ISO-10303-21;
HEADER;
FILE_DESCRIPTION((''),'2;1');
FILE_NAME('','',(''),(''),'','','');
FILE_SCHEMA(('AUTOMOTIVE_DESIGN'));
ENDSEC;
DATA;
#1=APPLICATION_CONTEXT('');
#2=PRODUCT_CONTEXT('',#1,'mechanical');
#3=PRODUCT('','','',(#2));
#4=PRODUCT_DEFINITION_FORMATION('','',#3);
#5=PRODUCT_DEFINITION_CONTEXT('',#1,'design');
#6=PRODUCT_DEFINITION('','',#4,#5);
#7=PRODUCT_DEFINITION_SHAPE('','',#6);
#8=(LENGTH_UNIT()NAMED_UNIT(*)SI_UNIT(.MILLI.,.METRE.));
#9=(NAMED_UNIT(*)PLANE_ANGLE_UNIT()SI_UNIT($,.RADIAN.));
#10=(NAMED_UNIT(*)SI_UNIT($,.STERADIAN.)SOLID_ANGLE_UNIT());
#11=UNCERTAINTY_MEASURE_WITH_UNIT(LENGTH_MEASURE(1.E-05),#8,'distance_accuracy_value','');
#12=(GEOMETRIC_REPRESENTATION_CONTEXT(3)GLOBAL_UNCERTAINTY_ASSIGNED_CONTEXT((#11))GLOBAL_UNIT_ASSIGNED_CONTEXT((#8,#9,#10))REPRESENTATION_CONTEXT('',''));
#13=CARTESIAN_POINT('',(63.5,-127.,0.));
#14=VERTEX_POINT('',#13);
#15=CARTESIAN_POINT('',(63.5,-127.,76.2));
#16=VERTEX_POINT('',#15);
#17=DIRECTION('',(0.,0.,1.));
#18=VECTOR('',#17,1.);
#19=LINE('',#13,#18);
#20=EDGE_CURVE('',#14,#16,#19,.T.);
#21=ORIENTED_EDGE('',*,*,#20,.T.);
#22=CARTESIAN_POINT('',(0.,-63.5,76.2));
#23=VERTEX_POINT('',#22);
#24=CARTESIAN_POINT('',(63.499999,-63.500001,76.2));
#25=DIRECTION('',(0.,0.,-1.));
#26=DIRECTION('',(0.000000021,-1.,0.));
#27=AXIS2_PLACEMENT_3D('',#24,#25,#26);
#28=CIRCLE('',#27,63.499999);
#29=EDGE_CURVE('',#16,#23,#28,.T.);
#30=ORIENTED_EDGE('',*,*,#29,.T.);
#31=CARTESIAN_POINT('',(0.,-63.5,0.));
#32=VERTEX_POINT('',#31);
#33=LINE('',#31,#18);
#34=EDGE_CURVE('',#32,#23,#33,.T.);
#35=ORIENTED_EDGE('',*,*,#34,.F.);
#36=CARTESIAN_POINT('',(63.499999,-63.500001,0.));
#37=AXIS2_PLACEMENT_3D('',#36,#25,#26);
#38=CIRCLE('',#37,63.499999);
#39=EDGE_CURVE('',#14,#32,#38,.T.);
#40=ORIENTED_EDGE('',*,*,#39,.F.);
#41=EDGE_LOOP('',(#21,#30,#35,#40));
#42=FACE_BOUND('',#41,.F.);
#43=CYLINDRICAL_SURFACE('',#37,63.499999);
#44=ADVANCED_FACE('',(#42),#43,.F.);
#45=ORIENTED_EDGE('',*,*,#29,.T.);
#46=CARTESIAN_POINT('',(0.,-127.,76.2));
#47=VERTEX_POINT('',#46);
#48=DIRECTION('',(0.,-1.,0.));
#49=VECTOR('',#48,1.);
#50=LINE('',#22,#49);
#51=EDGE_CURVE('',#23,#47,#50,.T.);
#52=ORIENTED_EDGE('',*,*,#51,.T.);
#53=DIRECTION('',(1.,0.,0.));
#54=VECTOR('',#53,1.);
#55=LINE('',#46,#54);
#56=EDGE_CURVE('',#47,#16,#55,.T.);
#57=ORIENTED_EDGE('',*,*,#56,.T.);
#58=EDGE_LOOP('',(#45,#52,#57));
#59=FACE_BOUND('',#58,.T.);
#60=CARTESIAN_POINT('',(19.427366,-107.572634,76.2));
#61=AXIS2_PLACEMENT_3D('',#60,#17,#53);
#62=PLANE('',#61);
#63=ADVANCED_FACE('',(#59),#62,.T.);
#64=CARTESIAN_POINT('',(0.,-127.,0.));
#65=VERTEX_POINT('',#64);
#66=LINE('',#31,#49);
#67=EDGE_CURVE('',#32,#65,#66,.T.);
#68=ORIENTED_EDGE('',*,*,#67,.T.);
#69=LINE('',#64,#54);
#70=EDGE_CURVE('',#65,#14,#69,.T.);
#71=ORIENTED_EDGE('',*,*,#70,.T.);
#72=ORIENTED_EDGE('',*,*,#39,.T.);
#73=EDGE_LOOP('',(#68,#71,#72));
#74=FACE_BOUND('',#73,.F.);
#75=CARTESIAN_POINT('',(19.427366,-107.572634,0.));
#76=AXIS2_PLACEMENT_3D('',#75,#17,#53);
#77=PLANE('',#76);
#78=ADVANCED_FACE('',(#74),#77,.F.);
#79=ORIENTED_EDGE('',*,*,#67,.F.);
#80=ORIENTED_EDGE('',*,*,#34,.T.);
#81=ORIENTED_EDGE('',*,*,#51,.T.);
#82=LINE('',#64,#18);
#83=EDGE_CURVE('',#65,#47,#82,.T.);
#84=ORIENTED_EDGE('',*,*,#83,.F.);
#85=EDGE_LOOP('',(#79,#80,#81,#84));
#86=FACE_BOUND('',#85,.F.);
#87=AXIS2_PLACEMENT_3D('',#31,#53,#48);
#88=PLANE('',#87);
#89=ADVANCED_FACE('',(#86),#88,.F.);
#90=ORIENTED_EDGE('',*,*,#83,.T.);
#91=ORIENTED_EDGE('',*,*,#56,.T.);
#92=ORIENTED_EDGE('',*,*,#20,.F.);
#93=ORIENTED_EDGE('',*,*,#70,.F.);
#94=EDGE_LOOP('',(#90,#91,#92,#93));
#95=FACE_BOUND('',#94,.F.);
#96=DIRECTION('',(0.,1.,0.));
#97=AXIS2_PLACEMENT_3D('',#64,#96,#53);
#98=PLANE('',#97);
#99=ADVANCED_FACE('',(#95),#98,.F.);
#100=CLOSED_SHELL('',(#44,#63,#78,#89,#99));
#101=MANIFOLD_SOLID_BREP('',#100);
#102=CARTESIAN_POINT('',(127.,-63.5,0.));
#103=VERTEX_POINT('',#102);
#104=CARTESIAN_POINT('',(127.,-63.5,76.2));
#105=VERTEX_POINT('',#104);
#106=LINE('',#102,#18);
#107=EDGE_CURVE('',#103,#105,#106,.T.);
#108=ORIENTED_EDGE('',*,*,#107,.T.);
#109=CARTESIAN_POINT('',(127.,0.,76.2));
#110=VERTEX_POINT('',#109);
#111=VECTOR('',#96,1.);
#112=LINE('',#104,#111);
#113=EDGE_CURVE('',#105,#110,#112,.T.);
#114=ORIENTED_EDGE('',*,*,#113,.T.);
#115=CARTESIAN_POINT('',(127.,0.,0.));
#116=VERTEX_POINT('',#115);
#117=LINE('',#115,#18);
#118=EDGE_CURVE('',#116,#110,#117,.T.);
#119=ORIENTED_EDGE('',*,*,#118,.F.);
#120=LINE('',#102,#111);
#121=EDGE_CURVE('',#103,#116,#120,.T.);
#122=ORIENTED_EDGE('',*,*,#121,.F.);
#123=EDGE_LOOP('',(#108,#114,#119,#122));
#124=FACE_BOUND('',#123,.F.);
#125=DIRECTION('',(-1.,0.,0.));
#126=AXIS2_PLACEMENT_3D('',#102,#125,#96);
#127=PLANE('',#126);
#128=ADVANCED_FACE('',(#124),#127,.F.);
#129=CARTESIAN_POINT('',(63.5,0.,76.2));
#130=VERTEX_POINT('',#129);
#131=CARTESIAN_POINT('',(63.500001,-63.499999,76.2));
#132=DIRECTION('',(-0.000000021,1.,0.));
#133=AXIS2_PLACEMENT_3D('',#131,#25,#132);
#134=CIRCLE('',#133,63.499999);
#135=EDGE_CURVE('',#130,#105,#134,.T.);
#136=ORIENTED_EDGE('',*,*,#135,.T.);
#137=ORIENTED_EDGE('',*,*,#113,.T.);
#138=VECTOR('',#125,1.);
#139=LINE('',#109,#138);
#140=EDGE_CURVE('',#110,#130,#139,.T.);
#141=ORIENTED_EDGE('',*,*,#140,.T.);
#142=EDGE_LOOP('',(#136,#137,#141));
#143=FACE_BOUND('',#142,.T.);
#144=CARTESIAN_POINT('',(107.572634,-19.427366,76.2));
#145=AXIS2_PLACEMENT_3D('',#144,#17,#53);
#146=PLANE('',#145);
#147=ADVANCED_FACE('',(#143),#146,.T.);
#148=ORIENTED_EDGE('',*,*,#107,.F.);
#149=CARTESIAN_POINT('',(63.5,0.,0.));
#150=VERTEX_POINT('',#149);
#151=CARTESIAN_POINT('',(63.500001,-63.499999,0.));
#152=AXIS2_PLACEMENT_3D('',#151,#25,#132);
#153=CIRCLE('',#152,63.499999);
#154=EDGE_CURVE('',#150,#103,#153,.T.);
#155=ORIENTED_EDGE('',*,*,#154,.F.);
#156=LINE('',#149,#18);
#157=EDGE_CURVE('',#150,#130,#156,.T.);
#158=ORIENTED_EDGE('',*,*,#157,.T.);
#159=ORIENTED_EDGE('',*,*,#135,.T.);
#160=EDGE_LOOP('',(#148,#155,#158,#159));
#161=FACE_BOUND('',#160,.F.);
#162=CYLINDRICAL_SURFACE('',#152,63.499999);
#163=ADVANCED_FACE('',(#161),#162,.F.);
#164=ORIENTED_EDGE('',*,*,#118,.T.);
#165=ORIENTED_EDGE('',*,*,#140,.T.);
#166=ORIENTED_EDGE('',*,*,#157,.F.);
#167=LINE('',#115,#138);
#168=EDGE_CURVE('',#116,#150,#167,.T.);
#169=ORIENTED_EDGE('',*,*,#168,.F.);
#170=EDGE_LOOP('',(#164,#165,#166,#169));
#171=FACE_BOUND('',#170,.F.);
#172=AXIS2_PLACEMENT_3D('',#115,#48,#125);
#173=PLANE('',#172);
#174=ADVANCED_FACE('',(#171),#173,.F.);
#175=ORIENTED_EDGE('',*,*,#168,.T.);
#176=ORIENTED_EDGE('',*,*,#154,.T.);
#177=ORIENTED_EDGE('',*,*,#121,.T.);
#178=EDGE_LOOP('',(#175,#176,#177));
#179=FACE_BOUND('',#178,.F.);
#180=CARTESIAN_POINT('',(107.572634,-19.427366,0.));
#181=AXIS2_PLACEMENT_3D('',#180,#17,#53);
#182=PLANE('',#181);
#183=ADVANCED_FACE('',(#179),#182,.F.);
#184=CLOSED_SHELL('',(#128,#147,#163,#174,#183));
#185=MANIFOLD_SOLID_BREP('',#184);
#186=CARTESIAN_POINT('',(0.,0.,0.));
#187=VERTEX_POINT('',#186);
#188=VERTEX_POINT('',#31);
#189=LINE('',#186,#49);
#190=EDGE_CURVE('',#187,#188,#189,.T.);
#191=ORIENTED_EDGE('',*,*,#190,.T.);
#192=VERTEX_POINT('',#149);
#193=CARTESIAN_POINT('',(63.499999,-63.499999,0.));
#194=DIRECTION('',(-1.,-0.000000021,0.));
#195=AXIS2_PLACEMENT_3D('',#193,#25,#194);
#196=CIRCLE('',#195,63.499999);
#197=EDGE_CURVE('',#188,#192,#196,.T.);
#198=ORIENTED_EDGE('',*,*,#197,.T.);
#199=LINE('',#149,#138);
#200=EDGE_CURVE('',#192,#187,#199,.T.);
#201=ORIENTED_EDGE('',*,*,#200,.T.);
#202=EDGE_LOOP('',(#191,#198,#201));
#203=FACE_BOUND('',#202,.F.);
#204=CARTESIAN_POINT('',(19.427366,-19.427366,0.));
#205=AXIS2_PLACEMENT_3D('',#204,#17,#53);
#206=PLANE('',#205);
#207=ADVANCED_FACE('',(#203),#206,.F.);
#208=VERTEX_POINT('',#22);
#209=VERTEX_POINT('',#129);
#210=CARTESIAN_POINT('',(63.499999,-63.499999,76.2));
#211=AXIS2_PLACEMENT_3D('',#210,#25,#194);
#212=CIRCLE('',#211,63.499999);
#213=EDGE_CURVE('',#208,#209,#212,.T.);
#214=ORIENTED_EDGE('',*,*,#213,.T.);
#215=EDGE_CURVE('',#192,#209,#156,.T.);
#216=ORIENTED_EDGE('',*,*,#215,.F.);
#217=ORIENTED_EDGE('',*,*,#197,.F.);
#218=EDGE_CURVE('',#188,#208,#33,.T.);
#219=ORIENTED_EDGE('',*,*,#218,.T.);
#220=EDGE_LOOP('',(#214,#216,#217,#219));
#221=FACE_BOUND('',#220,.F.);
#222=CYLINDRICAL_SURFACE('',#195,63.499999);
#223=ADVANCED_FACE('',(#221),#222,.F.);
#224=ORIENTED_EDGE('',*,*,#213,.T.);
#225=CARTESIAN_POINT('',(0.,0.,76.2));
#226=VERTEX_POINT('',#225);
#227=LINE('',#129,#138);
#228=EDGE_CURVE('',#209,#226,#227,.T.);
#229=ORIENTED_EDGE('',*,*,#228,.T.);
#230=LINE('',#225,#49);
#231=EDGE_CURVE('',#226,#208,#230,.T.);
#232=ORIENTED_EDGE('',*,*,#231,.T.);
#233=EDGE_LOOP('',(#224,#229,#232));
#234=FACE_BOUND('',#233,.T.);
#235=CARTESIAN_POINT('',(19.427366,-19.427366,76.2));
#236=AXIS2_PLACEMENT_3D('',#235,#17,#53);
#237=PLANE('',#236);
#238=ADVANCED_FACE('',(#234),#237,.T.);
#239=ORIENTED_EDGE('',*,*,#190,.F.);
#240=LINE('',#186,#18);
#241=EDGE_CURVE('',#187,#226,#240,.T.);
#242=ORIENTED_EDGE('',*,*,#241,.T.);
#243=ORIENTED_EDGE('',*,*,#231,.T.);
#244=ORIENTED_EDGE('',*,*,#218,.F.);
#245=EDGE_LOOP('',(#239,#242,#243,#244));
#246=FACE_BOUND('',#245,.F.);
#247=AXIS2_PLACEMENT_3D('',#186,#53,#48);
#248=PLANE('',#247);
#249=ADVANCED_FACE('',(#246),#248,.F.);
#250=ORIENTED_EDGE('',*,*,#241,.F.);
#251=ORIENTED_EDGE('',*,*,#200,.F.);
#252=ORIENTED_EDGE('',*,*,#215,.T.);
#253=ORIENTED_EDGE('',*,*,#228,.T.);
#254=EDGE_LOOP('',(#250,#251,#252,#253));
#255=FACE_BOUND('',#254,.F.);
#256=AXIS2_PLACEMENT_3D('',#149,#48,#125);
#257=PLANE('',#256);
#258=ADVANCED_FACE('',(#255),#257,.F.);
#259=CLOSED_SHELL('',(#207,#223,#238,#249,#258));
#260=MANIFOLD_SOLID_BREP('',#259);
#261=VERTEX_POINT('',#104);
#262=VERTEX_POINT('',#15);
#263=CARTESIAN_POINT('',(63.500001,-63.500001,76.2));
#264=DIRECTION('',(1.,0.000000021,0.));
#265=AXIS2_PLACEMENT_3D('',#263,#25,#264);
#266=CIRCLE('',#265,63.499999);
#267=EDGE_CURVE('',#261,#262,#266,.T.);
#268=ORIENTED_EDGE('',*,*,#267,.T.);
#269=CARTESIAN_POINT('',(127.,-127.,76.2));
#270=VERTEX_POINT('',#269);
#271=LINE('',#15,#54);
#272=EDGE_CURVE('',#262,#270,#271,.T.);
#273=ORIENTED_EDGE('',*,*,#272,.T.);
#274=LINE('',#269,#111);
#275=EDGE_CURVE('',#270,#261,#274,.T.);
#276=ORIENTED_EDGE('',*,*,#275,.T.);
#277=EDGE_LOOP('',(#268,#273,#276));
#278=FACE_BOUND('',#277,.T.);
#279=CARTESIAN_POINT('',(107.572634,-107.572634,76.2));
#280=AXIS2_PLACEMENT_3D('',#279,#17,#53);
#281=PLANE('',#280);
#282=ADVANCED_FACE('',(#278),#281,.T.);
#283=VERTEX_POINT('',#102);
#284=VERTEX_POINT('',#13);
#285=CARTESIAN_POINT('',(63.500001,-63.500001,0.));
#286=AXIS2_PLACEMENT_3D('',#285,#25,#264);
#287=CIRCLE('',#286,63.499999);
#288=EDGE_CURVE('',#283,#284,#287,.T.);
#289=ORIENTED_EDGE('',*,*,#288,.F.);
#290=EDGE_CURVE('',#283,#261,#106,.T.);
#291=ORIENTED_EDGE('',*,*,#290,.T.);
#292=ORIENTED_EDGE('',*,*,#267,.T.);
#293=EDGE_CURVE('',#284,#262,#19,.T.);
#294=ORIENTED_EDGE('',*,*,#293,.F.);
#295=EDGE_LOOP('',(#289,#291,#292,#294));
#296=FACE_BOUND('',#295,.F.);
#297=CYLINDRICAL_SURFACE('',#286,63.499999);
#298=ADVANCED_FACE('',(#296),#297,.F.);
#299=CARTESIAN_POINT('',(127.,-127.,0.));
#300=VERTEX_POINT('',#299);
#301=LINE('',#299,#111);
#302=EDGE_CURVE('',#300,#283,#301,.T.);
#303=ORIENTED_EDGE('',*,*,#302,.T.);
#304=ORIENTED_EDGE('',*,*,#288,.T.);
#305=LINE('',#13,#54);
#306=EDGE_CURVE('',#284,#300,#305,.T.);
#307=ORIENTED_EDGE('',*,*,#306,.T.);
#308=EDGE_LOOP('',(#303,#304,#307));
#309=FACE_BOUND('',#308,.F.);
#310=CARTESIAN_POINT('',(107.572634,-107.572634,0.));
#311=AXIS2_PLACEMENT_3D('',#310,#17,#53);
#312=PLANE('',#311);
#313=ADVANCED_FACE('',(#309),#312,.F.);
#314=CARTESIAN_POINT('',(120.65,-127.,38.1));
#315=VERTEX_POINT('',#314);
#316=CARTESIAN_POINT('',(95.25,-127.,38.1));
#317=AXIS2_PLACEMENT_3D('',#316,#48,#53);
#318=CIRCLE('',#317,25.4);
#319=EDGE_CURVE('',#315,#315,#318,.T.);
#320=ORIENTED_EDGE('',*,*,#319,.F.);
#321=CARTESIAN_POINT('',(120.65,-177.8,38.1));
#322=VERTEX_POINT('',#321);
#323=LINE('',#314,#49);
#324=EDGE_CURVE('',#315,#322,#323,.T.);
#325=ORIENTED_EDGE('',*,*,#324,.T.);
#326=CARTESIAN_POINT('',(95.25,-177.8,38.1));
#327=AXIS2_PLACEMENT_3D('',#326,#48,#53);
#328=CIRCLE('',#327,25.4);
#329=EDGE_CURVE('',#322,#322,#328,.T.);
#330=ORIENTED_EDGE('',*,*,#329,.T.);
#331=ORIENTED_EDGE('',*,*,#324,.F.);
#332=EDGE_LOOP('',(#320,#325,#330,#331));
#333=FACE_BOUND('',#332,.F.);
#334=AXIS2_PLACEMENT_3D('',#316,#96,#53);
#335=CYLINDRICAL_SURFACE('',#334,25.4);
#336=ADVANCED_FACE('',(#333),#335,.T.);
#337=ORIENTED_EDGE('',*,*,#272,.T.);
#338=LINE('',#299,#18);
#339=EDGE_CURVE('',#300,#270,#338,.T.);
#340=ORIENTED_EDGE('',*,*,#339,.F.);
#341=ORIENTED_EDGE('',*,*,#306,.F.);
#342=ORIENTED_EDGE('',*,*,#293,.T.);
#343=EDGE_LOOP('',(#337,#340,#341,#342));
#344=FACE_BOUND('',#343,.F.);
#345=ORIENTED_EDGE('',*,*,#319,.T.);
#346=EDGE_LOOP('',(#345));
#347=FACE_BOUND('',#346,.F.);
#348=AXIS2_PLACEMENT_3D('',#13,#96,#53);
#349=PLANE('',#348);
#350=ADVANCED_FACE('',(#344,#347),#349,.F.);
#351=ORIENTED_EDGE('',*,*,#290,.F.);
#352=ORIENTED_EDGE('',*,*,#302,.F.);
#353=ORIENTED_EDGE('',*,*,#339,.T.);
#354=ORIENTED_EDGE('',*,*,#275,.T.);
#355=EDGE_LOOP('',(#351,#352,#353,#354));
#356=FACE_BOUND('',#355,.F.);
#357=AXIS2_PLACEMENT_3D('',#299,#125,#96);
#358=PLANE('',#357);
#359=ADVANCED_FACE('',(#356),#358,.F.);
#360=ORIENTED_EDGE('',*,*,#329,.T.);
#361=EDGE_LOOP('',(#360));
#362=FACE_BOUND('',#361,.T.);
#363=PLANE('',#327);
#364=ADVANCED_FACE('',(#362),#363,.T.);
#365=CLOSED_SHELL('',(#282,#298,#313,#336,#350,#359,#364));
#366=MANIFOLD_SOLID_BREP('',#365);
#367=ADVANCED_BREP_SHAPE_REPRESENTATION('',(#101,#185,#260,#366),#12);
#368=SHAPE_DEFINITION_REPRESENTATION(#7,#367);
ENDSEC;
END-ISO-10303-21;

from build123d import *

# Parameters (mm, degrees)
F1_DEPTH = 76.2
F2_R     = 25.4
F3_DEPTH = 50.8


with BuildPart() as f1:
    # F0 (on Top) → F1 (new body)
    with BuildSketch(Plane.XY):
        with BuildLine():
            Line((63.5, 0), (0, 0))
            Line((0, 0), (0, -63.5))
            ThreePointArc((0, -63.5), (18.598719, -18.598719), (63.5, 0))
        make_face()
        with BuildLine():
            Line((127, 0), (63.5, 0))
            ThreePointArc((63.5, 0), (108.401281, -18.598719), (127, -63.5))
            Line((127, -63.5), (127, 0))
        make_face()
        with BuildLine():
            ThreePointArc((63.5, -127), (18.598719, -108.401281), (0, -63.5))
            Line((0, -63.5), (0, -127))
            Line((0, -127), (63.5, -127))
        make_face()
        with BuildLine():
            Line((127, -127), (127, -63.5))
            ThreePointArc((127, -63.5), (108.401281, -108.401281), (63.5, -127))
            Line((63.5, -127), (127, -127))
        make_face()
    extrude(amount=F1_DEPTH)

    # F2 (on face) → F3 (join)
    with BuildSketch(Plane.XZ.offset(127)):
        with Locations((95.25, 38.1)):
            Circle(F2_R)
    extrude(amount=F3_DEPTH)


solid = f1.part
